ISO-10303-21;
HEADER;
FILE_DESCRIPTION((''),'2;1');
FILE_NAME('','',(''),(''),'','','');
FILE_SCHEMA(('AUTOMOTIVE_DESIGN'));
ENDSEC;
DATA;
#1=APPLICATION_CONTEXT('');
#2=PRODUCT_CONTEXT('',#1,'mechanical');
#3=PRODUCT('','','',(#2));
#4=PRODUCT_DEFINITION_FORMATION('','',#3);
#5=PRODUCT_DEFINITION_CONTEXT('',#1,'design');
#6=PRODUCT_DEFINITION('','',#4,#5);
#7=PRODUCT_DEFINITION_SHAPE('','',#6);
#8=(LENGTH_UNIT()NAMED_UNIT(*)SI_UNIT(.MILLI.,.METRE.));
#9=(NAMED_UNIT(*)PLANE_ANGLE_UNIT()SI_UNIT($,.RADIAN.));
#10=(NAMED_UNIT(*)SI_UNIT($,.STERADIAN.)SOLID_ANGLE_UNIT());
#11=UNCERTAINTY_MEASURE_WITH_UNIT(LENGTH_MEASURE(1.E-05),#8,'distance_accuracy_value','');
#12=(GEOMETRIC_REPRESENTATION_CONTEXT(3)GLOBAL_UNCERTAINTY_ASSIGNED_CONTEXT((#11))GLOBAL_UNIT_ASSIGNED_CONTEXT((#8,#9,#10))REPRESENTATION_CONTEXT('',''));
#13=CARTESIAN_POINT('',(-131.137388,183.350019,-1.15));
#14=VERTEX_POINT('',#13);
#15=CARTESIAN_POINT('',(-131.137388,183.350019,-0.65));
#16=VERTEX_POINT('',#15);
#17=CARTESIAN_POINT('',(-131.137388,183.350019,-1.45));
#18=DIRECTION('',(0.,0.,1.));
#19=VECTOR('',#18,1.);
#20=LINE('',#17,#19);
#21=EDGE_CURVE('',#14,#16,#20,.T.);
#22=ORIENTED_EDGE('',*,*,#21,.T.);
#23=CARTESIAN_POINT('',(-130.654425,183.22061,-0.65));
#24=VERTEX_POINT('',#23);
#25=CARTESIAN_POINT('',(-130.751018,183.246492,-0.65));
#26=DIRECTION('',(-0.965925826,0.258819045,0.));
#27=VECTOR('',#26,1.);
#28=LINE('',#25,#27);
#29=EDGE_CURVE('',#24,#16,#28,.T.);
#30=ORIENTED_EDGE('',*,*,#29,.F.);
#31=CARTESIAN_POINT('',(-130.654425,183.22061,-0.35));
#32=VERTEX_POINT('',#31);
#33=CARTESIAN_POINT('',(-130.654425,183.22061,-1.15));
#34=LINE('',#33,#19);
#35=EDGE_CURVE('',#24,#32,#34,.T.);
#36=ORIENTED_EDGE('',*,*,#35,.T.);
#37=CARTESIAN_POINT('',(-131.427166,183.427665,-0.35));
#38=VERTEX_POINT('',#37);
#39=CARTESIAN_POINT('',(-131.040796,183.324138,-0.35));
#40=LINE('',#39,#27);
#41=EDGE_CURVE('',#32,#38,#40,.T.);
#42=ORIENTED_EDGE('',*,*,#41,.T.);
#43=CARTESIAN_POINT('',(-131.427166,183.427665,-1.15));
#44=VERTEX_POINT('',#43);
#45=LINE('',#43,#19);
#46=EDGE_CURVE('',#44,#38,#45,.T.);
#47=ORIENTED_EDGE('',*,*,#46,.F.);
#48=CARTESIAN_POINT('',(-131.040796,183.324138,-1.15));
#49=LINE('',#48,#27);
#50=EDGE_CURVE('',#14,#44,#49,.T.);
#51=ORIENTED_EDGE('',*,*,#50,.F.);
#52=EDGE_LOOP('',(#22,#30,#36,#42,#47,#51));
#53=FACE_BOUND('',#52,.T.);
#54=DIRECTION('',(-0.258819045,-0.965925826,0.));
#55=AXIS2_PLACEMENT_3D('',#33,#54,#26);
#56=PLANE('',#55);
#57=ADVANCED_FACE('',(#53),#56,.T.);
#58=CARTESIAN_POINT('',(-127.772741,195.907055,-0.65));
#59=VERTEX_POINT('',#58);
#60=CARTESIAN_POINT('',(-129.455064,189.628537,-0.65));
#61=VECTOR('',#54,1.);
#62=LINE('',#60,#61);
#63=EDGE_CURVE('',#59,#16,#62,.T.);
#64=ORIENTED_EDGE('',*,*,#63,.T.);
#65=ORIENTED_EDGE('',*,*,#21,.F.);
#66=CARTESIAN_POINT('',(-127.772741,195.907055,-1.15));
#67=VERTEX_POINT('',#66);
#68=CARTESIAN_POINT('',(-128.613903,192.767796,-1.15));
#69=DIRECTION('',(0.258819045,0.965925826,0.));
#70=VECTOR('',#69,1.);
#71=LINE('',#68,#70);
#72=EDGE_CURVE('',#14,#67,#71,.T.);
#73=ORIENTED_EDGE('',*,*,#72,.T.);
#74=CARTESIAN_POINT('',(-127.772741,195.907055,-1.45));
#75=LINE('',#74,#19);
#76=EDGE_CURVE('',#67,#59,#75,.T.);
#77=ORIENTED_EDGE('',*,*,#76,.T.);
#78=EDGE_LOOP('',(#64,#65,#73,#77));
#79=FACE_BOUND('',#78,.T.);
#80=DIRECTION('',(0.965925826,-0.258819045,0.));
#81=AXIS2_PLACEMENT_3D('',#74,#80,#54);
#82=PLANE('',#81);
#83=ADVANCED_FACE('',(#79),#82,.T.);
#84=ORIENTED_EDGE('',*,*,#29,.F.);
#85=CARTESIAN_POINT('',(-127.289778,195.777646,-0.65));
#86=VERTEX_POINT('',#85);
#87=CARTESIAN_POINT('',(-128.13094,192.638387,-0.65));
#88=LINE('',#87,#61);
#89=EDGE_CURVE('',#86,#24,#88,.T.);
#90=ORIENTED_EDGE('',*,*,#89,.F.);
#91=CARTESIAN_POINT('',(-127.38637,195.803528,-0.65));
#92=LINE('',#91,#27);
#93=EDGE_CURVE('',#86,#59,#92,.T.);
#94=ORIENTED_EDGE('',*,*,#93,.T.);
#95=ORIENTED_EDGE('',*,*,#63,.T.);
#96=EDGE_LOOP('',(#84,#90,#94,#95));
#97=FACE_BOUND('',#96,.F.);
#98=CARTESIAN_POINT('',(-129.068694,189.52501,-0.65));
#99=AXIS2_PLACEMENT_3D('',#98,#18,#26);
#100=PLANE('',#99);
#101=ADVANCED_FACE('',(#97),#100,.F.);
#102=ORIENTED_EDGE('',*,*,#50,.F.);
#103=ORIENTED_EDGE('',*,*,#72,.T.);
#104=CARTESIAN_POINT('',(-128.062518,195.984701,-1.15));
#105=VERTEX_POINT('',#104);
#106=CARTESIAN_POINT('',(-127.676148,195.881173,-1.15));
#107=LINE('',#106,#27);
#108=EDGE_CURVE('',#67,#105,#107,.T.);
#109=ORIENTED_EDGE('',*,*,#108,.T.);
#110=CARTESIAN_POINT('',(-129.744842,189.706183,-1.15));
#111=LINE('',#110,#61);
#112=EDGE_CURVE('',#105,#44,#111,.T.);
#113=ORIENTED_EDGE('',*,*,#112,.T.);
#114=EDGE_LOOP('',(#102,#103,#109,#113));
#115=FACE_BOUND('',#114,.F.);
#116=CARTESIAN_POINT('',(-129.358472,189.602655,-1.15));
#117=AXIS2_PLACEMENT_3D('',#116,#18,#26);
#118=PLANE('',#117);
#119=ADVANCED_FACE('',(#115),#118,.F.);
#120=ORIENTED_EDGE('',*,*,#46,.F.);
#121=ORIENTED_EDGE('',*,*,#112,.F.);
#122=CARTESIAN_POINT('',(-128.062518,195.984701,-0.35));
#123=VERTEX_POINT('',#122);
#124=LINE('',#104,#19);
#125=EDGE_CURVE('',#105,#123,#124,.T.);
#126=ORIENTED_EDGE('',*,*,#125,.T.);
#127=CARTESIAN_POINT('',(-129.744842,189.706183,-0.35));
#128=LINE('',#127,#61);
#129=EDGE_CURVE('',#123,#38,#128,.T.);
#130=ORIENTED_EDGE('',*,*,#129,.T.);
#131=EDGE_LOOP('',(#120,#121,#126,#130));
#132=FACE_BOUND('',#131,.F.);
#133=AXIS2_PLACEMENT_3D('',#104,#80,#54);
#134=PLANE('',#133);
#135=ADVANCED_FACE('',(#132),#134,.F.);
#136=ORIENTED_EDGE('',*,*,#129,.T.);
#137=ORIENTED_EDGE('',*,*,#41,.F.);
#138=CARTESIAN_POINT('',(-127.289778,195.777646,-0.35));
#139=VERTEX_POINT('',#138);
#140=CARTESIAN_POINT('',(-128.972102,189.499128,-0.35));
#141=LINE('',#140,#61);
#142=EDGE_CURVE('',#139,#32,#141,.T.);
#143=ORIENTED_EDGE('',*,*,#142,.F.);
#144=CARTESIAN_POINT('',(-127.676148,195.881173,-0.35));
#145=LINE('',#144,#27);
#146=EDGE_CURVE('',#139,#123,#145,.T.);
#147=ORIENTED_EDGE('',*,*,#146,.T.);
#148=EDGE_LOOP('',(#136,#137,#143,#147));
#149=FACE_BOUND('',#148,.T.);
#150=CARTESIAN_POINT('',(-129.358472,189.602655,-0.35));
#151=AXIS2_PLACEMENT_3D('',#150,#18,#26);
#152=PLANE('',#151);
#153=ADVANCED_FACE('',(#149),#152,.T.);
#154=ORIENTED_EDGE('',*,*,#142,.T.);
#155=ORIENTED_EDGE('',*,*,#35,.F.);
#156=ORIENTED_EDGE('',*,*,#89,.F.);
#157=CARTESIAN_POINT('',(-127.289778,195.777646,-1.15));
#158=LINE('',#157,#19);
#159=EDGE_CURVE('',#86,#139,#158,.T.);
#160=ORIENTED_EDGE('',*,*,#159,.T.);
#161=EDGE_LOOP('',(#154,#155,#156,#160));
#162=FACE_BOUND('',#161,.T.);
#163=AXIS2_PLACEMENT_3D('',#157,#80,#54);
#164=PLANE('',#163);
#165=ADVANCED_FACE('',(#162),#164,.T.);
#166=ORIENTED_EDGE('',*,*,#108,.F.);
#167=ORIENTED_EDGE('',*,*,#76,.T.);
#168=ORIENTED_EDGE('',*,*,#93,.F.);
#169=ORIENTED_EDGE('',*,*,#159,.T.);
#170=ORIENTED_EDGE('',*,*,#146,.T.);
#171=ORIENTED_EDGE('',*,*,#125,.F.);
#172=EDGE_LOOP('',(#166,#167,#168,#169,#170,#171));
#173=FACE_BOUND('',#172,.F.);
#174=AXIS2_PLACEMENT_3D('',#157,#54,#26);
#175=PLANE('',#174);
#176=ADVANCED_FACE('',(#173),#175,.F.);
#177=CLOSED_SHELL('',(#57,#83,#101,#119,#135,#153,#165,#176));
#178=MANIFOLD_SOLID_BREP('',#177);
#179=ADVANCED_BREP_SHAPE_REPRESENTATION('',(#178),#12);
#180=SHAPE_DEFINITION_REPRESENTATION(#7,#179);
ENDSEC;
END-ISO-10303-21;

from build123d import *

# Parameters (mm, degrees)
BOX185_W               = 0.8
BOX185_H               = 13
BOX185_DEPTH           = 0.8
BOX186_W               = 0.8
BOX186_H               = 13
BOX186_DEPTH           = 0.8
CUT096_PLACEMENT_ANGLE = 165


with BuildPart() as cubo185:
    # Box185 → Box185 (new body)
    with BuildSketch(Plane.XY):
        with Locations((0.4, 6.5)):
            Rectangle(BOX185_W, BOX185_H)
    extrude(amount=BOX185_DEPTH)


with BuildPart() as perfil_l_2da_cara038:
    # Box186 → Box186 (new body)
    with BuildSketch(Plane(origin=(0.3, 0, 0.3), x_dir=(1, 0, 0), z_dir=(0, 0, 1))):
        with Locations((0.4, 6.5)):
            Rectangle(BOX186_W, BOX186_H)
    extrude(amount=BOX186_DEPTH)

    # Cut096: cut Cubo185
    add(cubo185.part, mode=Mode.SUBTRACT)


with BuildPart() as perfil_l_2da_cara038_1:
    # Cut096 placement: moved
    add(perfil_l_2da_cara038.part.moved(Location((-127, 195.7, -1.45))).rotate(Axis((-127, 195.7, -1.45), (0, 0, 1)), CUT096_PLACEMENT_ANGLE))


solid = perfil_l_2da_cara038_1.part
